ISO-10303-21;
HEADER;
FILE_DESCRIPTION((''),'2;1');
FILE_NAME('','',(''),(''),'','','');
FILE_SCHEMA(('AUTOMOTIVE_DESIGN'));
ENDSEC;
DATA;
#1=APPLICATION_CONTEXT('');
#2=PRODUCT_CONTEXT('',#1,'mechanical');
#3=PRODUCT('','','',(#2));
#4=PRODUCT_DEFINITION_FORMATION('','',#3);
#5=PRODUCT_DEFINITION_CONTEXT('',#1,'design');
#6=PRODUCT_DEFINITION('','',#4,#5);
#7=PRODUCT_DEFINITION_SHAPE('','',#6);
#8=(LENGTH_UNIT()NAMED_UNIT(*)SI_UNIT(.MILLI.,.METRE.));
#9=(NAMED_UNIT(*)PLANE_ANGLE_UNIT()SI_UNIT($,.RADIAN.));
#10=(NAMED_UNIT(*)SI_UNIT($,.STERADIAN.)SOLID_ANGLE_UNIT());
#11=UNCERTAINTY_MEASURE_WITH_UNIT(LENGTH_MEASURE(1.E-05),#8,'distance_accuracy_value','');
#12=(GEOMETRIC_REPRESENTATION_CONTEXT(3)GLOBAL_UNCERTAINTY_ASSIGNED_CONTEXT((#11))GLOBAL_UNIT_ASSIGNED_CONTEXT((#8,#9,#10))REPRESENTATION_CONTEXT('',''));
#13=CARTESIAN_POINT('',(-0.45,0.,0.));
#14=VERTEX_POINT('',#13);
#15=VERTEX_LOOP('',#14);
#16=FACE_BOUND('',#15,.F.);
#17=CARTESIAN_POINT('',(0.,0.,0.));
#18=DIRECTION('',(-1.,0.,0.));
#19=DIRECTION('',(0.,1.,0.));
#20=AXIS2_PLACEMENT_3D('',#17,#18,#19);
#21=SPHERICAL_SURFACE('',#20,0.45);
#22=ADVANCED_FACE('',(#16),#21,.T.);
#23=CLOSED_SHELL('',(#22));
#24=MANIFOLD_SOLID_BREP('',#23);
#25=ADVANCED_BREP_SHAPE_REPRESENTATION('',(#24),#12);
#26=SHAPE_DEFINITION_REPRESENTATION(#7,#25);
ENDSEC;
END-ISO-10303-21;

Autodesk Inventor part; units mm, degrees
sketch "Sketch_1" plane through (0, 0, 0) normal (0, 0, 1) x (1, 0, 0)
  line L0 (0.45, 0) -> (-0.45, 0)
  arc A0 (0.45, 0) -> (-0.45, 0) centre (0, 0) ccw
  line L1 (0.45, 0) -> (-0.45, 0)
revolve "Revolution1" add sketch "Sketch_1" angle 360 about axis through (0.45, 0, 0) along (1, 0, 0)
ref_plane "ip_st_1_XY" through (0, 0, 0) normal (-1, 0, 0) x (0, 0, -1)
ref_plane "ip_st_1_YZ" through (0, 0, 0) normal (0, 0, -1) x (0, -1, 0)
ref_plane "ip_st_1_ZX" through (0, 0, 0) normal (0, -1, 0) x (-1, 0, 0)
properties part number "MF63ZZ Ball"
